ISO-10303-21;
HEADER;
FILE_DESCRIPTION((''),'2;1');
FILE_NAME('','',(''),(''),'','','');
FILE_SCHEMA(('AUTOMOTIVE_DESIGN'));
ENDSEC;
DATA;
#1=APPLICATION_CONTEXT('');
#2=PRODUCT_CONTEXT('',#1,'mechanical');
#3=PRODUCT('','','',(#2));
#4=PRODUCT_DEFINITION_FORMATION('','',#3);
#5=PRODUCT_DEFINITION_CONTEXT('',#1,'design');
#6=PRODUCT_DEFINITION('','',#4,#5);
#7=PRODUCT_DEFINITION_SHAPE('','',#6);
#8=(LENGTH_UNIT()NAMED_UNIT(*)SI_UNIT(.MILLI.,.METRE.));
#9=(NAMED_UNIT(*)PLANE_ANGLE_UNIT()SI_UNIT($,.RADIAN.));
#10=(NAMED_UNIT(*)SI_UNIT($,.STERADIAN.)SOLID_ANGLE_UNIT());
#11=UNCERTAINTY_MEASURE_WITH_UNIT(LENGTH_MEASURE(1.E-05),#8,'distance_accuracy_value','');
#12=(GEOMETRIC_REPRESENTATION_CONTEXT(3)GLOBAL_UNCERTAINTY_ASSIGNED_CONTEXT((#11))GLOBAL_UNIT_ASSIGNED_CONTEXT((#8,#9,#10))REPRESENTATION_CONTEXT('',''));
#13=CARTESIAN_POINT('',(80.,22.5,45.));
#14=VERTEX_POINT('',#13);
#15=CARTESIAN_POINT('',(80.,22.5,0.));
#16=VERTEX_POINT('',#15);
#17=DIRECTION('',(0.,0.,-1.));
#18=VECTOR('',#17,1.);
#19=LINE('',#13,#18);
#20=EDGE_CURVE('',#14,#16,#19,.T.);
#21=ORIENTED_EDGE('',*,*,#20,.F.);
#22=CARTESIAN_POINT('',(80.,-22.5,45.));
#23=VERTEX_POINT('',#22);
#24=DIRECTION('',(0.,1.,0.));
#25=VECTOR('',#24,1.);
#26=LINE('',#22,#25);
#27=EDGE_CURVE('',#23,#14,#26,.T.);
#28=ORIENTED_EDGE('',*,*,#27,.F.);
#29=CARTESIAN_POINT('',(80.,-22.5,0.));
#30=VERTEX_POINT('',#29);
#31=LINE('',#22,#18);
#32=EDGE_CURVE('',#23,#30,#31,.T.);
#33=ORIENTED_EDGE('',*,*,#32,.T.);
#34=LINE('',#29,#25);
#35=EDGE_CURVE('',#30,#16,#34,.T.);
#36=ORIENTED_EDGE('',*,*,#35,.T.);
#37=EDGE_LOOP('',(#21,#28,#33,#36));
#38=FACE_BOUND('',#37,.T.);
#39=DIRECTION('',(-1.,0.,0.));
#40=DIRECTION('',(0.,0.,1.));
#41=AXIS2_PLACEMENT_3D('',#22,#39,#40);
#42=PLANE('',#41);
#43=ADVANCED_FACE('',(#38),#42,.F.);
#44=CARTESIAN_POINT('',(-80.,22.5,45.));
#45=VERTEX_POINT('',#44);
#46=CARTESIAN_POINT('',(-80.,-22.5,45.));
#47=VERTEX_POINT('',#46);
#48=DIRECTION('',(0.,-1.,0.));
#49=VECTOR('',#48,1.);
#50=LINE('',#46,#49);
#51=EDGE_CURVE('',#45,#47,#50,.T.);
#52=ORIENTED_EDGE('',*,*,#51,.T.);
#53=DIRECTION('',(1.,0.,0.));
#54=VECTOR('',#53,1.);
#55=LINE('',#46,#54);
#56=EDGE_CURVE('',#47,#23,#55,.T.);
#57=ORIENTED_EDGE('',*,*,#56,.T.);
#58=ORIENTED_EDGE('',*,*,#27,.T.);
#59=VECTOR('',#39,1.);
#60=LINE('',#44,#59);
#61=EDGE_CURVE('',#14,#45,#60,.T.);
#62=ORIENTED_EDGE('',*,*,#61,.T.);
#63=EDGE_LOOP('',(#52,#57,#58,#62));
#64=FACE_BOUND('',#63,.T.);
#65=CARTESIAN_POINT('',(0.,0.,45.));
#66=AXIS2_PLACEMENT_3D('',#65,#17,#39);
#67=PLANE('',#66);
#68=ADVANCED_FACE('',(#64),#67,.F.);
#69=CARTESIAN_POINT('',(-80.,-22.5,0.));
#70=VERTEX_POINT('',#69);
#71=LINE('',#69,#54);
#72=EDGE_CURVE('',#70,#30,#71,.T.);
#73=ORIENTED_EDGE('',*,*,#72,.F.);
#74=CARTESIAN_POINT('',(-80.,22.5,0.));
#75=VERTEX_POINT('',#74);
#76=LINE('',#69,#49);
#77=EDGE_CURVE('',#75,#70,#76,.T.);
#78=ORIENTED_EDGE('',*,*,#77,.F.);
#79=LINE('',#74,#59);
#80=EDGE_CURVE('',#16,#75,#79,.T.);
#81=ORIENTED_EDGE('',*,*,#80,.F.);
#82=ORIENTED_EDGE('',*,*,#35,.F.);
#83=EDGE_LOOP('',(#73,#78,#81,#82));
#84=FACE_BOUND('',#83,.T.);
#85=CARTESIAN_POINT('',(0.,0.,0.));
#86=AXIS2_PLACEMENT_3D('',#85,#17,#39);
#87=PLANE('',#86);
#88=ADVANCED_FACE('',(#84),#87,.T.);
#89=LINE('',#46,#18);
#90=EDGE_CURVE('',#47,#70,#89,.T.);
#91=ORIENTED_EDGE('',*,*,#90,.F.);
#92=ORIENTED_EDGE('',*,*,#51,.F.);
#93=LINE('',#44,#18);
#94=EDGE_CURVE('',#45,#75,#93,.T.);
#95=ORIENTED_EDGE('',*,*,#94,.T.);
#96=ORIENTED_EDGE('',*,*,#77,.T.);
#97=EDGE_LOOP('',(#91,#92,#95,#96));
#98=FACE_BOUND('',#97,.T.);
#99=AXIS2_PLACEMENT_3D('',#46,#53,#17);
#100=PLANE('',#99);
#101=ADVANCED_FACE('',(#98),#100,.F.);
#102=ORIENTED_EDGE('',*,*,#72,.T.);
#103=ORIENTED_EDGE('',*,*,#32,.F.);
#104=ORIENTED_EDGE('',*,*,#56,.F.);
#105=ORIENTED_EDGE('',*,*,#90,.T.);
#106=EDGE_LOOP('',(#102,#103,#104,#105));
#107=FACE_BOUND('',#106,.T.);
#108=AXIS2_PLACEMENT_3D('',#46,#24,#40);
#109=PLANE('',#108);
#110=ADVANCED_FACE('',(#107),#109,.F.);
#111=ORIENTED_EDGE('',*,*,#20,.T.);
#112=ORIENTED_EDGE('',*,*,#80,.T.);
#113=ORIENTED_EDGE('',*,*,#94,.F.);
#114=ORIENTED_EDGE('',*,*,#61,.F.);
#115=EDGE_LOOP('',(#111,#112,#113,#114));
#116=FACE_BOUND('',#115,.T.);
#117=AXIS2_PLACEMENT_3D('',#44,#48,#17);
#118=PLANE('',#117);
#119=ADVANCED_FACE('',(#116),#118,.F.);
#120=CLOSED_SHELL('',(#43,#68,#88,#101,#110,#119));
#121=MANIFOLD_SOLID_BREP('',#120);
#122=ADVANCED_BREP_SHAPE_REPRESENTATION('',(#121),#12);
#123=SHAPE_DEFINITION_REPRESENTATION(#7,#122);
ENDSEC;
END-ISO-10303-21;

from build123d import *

# Parameters (mm, degrees)
SKETCH_1_W      = 160
SKETCH_1_H      = 45
EXTRUDE_1_DEPTH = 45


with BuildPart() as part:
    # 草图1 → 凸台-拉伸1 (new body)
    with BuildSketch(Plane.XY):
        Rectangle(SKETCH_1_W, SKETCH_1_H)
    extrude(amount=EXTRUDE_1_DEPTH)


solid = part.part
